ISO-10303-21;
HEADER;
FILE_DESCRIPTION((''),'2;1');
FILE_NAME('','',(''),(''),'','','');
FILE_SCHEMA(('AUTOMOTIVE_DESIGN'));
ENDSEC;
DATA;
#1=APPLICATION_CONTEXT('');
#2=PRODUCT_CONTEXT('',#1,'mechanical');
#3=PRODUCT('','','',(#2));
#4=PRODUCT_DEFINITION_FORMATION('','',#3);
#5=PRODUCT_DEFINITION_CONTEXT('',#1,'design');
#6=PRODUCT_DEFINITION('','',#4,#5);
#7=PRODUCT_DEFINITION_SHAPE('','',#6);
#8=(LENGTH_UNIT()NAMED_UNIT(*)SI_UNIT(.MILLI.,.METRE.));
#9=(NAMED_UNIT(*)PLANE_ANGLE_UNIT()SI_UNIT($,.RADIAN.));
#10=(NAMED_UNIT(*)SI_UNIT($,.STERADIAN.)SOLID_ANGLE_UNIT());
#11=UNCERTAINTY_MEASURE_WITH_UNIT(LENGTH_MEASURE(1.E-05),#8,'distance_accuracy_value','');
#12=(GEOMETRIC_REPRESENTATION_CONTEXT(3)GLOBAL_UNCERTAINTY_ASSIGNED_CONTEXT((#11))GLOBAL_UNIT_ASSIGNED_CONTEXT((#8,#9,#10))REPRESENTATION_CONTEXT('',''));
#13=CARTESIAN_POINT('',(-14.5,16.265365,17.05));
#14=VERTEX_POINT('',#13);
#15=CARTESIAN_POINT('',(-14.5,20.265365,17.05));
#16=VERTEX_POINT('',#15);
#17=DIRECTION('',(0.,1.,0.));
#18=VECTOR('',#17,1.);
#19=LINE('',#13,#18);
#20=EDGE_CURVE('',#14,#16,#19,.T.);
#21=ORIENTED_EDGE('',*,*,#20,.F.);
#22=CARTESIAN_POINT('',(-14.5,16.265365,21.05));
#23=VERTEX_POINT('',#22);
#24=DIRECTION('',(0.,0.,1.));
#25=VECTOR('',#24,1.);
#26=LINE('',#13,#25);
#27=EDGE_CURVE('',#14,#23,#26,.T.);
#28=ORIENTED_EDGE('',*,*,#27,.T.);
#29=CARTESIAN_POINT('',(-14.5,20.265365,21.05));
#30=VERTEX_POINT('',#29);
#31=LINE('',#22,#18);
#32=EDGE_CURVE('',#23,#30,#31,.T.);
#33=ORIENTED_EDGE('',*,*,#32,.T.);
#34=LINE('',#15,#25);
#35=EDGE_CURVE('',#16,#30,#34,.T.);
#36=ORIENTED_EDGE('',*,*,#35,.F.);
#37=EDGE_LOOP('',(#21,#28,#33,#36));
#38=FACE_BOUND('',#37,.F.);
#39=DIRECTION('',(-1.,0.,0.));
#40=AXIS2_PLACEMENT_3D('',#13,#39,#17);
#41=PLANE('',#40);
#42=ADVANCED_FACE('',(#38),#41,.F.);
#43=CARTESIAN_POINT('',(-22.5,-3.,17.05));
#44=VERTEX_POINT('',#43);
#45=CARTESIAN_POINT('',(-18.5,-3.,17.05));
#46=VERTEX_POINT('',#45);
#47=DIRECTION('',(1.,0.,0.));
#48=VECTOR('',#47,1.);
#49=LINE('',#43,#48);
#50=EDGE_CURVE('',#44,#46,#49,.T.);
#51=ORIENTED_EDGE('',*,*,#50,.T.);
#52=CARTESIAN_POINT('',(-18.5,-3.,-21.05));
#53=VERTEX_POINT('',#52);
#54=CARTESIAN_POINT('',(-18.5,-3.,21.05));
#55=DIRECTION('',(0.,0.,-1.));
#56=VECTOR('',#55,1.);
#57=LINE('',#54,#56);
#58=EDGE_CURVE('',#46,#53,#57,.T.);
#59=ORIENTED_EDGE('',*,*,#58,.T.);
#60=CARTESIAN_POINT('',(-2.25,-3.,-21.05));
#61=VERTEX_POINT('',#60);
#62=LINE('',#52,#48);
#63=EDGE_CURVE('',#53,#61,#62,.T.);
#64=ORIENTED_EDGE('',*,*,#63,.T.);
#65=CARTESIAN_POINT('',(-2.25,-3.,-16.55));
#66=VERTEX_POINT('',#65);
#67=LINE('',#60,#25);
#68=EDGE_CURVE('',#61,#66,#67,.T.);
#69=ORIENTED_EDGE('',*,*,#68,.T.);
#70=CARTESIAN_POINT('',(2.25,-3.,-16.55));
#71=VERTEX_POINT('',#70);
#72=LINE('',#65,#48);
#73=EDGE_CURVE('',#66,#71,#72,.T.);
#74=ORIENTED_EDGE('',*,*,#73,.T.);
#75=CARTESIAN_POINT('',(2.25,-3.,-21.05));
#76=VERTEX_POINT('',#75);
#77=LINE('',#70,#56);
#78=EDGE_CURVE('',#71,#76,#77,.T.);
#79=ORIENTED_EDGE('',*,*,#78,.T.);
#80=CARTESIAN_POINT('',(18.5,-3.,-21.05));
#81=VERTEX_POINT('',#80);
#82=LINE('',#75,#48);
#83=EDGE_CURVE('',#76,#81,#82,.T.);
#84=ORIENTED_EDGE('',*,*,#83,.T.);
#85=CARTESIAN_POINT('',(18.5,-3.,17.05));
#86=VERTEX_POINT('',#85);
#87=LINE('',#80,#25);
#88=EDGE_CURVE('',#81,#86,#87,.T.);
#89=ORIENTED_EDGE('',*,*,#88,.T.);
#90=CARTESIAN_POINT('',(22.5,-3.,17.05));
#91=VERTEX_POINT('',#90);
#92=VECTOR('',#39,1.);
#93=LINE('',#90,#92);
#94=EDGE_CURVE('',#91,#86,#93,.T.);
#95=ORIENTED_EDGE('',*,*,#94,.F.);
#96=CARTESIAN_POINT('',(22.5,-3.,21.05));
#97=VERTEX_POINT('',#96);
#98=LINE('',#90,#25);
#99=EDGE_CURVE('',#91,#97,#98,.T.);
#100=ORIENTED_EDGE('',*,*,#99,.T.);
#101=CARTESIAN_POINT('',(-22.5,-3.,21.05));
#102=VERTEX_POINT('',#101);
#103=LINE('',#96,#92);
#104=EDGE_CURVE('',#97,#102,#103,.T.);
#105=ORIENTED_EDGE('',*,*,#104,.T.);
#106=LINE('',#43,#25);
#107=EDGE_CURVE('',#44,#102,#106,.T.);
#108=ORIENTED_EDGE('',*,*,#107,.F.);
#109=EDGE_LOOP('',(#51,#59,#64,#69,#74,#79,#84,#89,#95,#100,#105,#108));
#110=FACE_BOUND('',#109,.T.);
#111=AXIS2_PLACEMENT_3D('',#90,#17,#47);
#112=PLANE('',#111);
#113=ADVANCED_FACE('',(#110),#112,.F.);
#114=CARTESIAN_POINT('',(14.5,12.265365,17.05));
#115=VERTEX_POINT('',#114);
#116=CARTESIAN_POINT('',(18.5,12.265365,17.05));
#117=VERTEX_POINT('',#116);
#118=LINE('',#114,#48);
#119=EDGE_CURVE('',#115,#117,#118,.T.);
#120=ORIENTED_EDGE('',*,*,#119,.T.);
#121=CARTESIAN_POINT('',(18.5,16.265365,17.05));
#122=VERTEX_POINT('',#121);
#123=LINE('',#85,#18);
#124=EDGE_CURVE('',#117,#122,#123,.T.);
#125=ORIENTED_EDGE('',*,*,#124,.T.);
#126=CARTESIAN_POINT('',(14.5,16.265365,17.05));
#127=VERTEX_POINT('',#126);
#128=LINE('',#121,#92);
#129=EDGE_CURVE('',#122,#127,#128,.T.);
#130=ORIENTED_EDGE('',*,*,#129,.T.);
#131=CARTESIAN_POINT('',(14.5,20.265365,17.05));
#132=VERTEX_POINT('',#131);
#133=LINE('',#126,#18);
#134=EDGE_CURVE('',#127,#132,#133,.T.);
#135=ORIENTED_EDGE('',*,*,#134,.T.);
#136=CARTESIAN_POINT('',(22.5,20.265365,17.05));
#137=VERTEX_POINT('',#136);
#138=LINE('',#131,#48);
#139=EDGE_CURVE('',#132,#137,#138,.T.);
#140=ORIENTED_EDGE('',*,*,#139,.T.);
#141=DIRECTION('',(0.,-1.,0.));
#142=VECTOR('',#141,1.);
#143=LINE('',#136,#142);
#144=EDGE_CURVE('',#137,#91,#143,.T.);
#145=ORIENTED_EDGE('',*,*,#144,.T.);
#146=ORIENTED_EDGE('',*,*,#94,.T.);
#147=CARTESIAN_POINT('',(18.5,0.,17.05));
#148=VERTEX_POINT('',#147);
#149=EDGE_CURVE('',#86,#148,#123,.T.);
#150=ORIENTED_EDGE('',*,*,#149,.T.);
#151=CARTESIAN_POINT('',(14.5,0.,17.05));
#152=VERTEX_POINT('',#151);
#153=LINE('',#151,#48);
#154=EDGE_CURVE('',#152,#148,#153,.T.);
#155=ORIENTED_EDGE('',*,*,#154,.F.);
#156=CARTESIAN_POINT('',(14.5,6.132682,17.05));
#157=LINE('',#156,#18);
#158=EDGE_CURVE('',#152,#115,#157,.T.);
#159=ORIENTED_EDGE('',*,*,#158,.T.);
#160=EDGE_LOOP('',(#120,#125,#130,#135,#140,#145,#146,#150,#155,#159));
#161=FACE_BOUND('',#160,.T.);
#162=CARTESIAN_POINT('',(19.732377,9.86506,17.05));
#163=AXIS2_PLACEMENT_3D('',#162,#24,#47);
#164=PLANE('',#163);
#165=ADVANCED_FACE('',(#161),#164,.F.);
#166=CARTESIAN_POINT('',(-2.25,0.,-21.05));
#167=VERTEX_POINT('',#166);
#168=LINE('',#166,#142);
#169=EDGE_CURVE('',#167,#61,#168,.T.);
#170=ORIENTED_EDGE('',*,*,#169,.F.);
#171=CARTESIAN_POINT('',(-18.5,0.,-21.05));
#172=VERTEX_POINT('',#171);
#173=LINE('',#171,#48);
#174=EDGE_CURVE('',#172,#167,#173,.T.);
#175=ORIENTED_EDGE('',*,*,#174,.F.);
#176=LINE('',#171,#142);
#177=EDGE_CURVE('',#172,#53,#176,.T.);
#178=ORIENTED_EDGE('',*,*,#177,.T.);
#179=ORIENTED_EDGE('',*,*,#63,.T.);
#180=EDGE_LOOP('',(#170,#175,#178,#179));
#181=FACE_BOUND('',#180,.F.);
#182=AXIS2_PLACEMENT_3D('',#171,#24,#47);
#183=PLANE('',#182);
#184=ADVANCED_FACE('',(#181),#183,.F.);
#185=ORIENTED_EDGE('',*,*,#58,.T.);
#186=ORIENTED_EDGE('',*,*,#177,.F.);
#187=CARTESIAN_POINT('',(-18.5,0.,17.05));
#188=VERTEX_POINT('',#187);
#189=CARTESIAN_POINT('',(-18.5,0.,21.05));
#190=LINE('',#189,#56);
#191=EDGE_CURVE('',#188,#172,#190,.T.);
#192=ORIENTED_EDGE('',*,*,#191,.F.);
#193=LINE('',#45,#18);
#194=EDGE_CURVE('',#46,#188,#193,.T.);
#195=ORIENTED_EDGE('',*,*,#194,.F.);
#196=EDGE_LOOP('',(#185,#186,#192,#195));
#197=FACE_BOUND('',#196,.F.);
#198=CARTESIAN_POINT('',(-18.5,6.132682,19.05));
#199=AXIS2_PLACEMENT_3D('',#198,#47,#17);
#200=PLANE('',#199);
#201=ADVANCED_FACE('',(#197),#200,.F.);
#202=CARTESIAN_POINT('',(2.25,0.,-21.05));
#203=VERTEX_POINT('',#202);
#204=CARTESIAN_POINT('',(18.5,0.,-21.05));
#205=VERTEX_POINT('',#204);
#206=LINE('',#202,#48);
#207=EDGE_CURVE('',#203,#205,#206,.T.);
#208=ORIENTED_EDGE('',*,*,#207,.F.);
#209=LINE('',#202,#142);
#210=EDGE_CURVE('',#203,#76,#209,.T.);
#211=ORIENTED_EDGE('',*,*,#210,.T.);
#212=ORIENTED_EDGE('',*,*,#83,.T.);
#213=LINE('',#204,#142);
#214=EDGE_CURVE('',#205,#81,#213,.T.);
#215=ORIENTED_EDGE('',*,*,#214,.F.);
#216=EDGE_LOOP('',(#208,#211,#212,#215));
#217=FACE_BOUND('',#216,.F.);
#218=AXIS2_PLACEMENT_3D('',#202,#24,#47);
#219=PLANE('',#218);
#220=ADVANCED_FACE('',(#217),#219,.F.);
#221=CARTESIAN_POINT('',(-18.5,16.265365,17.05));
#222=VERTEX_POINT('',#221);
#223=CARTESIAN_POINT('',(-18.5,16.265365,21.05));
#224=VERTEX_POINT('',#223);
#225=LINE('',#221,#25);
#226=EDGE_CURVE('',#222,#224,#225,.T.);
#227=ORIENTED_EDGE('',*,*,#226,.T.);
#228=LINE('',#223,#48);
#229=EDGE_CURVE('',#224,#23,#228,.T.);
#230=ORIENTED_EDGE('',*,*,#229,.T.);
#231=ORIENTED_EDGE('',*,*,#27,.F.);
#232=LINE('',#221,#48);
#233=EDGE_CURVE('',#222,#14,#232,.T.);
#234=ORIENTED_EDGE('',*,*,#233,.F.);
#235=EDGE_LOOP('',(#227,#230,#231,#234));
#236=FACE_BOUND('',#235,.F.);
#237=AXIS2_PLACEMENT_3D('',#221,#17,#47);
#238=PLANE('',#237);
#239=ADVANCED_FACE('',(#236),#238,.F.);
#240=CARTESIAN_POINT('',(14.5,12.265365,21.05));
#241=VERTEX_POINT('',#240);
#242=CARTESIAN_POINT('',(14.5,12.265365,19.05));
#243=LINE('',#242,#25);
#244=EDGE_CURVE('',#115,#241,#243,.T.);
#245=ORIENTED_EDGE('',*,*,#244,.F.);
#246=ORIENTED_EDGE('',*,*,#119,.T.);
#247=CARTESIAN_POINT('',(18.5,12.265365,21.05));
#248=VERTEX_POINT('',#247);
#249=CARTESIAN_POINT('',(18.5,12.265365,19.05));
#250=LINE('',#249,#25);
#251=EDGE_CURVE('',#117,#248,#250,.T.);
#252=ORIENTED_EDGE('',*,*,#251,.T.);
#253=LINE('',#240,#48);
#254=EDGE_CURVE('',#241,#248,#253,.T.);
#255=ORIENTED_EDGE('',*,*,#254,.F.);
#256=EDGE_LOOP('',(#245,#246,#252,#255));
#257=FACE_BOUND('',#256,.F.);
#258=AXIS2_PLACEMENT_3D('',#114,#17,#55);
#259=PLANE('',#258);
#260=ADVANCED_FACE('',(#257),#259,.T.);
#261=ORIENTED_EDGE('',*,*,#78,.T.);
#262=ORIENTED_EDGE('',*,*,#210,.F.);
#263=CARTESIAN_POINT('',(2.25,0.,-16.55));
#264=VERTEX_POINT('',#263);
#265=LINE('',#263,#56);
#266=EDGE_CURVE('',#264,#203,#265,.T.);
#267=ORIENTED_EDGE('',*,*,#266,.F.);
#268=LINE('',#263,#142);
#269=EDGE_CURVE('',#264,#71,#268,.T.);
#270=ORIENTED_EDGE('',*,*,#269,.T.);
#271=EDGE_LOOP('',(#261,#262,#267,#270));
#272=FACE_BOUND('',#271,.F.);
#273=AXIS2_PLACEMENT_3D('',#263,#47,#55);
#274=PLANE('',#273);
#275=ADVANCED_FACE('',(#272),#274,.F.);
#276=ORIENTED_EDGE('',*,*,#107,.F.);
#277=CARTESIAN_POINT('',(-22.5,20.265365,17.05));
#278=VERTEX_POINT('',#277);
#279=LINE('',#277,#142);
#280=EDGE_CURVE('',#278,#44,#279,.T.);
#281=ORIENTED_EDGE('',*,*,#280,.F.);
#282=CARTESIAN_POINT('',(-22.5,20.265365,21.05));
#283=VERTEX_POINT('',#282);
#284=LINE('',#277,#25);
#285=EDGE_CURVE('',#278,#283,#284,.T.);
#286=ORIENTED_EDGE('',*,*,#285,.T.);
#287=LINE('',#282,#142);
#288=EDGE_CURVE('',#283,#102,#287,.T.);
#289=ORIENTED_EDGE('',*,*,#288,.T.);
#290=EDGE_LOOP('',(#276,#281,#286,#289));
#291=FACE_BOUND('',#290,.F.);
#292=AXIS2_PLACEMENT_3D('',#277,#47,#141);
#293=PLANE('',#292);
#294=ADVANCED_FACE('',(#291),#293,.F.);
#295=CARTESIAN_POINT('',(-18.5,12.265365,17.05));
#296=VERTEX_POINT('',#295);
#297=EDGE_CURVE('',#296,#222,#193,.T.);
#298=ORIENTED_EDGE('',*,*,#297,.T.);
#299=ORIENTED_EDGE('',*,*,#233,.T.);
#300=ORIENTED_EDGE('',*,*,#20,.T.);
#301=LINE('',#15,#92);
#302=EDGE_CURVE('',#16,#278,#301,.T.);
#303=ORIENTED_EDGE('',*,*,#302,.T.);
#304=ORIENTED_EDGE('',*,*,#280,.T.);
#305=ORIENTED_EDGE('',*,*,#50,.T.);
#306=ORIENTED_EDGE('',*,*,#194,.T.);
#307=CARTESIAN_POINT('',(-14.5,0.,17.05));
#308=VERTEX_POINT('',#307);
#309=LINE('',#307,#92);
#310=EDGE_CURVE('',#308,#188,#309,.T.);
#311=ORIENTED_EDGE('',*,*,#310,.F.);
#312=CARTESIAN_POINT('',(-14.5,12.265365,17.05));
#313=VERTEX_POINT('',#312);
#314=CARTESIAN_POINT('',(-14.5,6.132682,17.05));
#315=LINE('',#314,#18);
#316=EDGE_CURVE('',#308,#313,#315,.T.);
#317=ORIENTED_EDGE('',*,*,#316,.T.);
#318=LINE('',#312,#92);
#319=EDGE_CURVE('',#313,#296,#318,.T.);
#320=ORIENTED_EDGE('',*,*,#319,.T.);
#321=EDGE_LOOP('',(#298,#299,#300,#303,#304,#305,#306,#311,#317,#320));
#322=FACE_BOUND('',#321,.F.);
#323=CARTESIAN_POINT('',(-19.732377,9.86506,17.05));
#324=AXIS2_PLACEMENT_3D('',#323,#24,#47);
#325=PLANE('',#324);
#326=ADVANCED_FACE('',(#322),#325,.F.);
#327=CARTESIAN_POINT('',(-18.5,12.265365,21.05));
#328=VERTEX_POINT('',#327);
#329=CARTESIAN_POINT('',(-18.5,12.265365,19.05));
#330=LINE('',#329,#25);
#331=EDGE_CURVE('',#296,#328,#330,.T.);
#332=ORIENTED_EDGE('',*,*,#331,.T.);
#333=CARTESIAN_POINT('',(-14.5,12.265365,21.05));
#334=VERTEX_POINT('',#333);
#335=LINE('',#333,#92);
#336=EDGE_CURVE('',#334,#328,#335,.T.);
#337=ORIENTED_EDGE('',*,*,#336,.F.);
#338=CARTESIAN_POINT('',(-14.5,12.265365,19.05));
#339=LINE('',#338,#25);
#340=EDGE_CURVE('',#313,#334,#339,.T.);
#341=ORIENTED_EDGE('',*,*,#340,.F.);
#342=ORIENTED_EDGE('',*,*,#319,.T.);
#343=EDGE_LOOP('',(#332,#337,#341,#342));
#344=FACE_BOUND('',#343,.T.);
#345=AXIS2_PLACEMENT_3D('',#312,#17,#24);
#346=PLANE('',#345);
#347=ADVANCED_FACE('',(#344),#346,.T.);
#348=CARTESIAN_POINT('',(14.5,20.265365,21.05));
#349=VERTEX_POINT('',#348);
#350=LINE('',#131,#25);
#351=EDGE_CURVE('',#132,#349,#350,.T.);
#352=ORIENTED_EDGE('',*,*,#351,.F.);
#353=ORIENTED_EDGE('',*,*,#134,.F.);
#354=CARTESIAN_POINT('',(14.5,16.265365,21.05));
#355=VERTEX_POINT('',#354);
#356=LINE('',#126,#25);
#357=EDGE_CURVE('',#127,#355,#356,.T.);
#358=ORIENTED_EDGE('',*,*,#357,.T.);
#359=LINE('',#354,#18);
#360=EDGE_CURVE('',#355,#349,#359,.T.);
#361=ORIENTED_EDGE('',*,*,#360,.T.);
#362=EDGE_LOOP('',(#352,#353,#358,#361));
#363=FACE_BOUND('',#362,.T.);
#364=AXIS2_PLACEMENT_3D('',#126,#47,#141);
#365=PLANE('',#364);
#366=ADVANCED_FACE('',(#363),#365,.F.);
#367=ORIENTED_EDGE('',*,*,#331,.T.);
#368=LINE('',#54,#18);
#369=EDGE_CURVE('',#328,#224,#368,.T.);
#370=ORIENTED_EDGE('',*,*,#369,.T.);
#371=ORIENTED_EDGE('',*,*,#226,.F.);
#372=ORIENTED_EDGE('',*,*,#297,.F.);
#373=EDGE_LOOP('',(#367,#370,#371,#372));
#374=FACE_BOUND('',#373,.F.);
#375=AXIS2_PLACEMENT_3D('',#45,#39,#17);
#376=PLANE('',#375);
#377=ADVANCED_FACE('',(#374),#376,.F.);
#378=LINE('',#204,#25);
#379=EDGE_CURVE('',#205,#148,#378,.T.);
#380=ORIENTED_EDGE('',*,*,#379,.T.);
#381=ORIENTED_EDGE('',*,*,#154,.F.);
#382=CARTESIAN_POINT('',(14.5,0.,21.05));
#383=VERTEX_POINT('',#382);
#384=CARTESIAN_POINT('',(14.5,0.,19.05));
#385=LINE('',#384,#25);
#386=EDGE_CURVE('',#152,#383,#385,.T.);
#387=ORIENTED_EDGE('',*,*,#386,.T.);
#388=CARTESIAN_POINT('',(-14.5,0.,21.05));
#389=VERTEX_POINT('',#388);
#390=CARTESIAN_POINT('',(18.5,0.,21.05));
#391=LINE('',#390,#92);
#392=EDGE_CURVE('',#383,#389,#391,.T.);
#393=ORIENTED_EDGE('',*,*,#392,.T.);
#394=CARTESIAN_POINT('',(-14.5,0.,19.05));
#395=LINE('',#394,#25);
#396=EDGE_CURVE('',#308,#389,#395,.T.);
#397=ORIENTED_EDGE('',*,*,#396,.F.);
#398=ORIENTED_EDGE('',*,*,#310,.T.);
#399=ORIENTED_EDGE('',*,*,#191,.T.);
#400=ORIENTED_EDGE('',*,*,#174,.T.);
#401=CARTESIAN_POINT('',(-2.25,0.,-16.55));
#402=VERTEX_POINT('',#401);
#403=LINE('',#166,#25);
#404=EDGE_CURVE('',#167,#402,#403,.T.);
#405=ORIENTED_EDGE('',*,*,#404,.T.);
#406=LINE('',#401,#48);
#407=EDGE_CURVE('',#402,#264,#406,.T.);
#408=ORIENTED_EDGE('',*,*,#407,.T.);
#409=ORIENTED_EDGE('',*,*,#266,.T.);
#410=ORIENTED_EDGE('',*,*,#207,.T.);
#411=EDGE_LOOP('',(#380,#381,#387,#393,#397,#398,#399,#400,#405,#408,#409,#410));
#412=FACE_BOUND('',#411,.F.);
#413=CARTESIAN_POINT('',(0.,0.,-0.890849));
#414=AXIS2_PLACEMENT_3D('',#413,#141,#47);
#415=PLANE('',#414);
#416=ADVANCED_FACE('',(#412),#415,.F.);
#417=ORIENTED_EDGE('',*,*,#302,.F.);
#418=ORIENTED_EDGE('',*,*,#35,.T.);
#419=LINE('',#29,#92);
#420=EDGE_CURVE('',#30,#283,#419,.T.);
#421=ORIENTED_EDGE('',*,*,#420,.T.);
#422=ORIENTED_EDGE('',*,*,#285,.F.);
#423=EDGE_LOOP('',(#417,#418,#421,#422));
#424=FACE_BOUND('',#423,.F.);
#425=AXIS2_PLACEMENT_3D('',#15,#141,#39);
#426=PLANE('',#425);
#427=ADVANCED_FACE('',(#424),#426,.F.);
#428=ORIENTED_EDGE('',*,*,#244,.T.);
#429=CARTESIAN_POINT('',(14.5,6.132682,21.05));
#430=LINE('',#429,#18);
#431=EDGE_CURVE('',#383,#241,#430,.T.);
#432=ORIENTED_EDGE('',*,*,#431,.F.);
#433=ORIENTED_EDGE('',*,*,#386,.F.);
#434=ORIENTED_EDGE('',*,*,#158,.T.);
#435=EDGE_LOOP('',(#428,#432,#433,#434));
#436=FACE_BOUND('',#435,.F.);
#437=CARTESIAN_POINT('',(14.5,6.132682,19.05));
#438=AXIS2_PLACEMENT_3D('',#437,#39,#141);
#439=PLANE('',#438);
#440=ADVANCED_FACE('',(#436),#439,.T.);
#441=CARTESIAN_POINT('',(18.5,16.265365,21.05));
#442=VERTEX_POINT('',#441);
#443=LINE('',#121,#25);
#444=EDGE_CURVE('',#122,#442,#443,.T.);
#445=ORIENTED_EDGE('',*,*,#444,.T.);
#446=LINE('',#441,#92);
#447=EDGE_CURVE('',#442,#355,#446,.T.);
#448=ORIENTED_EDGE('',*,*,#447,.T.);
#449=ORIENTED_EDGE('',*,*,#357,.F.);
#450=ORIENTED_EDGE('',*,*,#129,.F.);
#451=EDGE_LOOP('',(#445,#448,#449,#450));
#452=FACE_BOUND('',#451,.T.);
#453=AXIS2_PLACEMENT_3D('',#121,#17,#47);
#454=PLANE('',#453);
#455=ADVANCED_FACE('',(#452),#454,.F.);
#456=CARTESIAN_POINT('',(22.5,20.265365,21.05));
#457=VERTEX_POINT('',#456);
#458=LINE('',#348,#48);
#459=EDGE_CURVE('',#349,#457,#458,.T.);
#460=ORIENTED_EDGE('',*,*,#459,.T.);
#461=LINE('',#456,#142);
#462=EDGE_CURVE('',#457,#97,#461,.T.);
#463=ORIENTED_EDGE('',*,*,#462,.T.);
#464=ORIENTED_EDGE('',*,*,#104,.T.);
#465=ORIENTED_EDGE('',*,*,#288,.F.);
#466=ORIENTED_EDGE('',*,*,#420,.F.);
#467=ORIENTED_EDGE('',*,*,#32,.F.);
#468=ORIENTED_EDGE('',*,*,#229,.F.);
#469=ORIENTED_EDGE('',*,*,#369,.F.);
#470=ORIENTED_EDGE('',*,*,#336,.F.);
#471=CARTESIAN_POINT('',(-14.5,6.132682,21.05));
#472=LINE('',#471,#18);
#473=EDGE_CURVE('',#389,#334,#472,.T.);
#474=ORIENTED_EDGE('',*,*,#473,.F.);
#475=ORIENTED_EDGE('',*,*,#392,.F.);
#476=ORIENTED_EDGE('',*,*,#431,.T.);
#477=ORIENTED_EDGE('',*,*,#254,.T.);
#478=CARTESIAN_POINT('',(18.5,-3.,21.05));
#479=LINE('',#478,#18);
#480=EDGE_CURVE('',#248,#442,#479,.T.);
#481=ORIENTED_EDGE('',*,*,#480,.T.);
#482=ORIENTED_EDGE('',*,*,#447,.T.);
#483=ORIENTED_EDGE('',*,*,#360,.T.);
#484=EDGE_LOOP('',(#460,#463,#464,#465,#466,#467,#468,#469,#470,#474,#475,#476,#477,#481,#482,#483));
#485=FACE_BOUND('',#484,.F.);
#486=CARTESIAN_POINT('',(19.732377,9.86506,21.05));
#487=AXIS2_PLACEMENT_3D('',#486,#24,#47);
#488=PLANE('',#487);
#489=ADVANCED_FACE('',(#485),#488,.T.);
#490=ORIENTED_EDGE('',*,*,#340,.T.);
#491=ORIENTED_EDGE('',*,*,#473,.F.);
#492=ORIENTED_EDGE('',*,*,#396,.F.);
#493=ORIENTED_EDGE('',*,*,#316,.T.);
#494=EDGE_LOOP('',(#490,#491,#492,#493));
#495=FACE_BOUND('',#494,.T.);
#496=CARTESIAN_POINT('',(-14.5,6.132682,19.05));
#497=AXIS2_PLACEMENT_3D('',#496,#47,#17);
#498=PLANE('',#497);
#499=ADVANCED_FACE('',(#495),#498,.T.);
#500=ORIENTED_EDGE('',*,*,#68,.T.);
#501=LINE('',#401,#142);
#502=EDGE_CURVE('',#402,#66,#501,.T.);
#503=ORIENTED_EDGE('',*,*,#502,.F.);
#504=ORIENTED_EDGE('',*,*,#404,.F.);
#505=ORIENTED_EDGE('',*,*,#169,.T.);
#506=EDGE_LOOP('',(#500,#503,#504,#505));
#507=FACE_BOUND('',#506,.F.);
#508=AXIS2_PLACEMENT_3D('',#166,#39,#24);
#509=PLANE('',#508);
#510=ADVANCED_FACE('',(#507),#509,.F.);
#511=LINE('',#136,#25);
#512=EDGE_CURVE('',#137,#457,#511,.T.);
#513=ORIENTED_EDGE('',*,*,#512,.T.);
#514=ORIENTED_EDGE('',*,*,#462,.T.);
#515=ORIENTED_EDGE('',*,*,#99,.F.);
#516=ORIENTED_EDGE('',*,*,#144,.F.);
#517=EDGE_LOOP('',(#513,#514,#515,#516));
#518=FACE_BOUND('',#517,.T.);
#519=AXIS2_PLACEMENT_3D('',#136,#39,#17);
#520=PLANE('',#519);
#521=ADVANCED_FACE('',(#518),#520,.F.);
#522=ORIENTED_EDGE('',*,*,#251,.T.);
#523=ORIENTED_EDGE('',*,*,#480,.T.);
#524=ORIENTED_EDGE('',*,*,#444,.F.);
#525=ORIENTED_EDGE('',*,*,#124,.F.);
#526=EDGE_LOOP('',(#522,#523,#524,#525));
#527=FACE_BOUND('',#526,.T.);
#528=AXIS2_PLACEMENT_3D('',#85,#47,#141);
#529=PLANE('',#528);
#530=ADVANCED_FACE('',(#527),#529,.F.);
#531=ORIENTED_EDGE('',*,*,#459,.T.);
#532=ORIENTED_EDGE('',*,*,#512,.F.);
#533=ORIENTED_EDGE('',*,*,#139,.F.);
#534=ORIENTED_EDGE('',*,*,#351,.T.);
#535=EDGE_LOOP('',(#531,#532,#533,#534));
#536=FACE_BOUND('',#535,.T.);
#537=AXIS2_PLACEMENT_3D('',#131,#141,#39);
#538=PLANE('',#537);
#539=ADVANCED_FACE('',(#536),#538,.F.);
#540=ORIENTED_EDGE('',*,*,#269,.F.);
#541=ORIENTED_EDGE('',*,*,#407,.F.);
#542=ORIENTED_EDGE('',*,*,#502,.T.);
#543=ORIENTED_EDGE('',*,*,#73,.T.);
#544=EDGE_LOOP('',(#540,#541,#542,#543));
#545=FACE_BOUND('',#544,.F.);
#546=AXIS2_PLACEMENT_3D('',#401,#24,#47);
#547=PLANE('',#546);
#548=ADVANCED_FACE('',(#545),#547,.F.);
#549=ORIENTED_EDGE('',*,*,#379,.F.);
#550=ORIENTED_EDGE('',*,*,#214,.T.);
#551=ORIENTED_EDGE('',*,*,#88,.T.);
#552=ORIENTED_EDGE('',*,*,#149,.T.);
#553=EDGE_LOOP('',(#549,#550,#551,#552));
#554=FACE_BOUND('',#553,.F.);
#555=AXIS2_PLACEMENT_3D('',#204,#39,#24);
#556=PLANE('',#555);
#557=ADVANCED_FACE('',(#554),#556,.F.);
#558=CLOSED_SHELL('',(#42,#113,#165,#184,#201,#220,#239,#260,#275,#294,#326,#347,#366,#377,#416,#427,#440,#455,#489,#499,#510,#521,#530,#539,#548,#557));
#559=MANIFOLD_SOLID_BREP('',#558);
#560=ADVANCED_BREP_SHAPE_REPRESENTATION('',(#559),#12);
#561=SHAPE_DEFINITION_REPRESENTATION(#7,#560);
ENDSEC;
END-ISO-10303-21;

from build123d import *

# Parameters (mm, degrees)
F1_DEPTH = 3
F3_START = -14.5
F2_W     = 12.2653646395
F2_H     = 4
F3_DEPTH = 4
F5_START = 17.05
F5_DEPTH = 4


with BuildPart() as f1:
    # F0 (on Front) → F1 (new body)
    with BuildSketch(Plane.XZ):
        Polygon((18.5, 21.05), (-18.5, 21.05), (-18.5, -21.05), (-2.25, -21.05), (-2.25, -16.55), (2.25, -16.55), (2.25, -21.05), (18.5, -21.05), align=None)
    extrude(amount=F1_DEPTH)

    # F2 (on Right) → F3 (join)
    with BuildSketch(Plane.YZ.offset(F3_START)):
        with Locations((6.1326823197, 19.05)):
            Rectangle(F2_W, F2_H)
    extrude(amount=-F3_DEPTH)

    # F4 (on Top) → F5 (join)
    with BuildSketch(Plane.XY.offset(F5_START)):
        Polygon((-22.5, -3), (-18.5, -3), (-18.5, 16.2653646395), (-14.5, 16.2653646395), (-14.5, 20.2653646395), (-22.5, 20.2653646395), align=None)
    extrude(amount=F5_DEPTH)

    # F6: F1 across plane


with BuildPart() as f1_1:
    add(f1.part)
    add(f1.part.mirror(Plane.YZ))


solid = f1_1.part
